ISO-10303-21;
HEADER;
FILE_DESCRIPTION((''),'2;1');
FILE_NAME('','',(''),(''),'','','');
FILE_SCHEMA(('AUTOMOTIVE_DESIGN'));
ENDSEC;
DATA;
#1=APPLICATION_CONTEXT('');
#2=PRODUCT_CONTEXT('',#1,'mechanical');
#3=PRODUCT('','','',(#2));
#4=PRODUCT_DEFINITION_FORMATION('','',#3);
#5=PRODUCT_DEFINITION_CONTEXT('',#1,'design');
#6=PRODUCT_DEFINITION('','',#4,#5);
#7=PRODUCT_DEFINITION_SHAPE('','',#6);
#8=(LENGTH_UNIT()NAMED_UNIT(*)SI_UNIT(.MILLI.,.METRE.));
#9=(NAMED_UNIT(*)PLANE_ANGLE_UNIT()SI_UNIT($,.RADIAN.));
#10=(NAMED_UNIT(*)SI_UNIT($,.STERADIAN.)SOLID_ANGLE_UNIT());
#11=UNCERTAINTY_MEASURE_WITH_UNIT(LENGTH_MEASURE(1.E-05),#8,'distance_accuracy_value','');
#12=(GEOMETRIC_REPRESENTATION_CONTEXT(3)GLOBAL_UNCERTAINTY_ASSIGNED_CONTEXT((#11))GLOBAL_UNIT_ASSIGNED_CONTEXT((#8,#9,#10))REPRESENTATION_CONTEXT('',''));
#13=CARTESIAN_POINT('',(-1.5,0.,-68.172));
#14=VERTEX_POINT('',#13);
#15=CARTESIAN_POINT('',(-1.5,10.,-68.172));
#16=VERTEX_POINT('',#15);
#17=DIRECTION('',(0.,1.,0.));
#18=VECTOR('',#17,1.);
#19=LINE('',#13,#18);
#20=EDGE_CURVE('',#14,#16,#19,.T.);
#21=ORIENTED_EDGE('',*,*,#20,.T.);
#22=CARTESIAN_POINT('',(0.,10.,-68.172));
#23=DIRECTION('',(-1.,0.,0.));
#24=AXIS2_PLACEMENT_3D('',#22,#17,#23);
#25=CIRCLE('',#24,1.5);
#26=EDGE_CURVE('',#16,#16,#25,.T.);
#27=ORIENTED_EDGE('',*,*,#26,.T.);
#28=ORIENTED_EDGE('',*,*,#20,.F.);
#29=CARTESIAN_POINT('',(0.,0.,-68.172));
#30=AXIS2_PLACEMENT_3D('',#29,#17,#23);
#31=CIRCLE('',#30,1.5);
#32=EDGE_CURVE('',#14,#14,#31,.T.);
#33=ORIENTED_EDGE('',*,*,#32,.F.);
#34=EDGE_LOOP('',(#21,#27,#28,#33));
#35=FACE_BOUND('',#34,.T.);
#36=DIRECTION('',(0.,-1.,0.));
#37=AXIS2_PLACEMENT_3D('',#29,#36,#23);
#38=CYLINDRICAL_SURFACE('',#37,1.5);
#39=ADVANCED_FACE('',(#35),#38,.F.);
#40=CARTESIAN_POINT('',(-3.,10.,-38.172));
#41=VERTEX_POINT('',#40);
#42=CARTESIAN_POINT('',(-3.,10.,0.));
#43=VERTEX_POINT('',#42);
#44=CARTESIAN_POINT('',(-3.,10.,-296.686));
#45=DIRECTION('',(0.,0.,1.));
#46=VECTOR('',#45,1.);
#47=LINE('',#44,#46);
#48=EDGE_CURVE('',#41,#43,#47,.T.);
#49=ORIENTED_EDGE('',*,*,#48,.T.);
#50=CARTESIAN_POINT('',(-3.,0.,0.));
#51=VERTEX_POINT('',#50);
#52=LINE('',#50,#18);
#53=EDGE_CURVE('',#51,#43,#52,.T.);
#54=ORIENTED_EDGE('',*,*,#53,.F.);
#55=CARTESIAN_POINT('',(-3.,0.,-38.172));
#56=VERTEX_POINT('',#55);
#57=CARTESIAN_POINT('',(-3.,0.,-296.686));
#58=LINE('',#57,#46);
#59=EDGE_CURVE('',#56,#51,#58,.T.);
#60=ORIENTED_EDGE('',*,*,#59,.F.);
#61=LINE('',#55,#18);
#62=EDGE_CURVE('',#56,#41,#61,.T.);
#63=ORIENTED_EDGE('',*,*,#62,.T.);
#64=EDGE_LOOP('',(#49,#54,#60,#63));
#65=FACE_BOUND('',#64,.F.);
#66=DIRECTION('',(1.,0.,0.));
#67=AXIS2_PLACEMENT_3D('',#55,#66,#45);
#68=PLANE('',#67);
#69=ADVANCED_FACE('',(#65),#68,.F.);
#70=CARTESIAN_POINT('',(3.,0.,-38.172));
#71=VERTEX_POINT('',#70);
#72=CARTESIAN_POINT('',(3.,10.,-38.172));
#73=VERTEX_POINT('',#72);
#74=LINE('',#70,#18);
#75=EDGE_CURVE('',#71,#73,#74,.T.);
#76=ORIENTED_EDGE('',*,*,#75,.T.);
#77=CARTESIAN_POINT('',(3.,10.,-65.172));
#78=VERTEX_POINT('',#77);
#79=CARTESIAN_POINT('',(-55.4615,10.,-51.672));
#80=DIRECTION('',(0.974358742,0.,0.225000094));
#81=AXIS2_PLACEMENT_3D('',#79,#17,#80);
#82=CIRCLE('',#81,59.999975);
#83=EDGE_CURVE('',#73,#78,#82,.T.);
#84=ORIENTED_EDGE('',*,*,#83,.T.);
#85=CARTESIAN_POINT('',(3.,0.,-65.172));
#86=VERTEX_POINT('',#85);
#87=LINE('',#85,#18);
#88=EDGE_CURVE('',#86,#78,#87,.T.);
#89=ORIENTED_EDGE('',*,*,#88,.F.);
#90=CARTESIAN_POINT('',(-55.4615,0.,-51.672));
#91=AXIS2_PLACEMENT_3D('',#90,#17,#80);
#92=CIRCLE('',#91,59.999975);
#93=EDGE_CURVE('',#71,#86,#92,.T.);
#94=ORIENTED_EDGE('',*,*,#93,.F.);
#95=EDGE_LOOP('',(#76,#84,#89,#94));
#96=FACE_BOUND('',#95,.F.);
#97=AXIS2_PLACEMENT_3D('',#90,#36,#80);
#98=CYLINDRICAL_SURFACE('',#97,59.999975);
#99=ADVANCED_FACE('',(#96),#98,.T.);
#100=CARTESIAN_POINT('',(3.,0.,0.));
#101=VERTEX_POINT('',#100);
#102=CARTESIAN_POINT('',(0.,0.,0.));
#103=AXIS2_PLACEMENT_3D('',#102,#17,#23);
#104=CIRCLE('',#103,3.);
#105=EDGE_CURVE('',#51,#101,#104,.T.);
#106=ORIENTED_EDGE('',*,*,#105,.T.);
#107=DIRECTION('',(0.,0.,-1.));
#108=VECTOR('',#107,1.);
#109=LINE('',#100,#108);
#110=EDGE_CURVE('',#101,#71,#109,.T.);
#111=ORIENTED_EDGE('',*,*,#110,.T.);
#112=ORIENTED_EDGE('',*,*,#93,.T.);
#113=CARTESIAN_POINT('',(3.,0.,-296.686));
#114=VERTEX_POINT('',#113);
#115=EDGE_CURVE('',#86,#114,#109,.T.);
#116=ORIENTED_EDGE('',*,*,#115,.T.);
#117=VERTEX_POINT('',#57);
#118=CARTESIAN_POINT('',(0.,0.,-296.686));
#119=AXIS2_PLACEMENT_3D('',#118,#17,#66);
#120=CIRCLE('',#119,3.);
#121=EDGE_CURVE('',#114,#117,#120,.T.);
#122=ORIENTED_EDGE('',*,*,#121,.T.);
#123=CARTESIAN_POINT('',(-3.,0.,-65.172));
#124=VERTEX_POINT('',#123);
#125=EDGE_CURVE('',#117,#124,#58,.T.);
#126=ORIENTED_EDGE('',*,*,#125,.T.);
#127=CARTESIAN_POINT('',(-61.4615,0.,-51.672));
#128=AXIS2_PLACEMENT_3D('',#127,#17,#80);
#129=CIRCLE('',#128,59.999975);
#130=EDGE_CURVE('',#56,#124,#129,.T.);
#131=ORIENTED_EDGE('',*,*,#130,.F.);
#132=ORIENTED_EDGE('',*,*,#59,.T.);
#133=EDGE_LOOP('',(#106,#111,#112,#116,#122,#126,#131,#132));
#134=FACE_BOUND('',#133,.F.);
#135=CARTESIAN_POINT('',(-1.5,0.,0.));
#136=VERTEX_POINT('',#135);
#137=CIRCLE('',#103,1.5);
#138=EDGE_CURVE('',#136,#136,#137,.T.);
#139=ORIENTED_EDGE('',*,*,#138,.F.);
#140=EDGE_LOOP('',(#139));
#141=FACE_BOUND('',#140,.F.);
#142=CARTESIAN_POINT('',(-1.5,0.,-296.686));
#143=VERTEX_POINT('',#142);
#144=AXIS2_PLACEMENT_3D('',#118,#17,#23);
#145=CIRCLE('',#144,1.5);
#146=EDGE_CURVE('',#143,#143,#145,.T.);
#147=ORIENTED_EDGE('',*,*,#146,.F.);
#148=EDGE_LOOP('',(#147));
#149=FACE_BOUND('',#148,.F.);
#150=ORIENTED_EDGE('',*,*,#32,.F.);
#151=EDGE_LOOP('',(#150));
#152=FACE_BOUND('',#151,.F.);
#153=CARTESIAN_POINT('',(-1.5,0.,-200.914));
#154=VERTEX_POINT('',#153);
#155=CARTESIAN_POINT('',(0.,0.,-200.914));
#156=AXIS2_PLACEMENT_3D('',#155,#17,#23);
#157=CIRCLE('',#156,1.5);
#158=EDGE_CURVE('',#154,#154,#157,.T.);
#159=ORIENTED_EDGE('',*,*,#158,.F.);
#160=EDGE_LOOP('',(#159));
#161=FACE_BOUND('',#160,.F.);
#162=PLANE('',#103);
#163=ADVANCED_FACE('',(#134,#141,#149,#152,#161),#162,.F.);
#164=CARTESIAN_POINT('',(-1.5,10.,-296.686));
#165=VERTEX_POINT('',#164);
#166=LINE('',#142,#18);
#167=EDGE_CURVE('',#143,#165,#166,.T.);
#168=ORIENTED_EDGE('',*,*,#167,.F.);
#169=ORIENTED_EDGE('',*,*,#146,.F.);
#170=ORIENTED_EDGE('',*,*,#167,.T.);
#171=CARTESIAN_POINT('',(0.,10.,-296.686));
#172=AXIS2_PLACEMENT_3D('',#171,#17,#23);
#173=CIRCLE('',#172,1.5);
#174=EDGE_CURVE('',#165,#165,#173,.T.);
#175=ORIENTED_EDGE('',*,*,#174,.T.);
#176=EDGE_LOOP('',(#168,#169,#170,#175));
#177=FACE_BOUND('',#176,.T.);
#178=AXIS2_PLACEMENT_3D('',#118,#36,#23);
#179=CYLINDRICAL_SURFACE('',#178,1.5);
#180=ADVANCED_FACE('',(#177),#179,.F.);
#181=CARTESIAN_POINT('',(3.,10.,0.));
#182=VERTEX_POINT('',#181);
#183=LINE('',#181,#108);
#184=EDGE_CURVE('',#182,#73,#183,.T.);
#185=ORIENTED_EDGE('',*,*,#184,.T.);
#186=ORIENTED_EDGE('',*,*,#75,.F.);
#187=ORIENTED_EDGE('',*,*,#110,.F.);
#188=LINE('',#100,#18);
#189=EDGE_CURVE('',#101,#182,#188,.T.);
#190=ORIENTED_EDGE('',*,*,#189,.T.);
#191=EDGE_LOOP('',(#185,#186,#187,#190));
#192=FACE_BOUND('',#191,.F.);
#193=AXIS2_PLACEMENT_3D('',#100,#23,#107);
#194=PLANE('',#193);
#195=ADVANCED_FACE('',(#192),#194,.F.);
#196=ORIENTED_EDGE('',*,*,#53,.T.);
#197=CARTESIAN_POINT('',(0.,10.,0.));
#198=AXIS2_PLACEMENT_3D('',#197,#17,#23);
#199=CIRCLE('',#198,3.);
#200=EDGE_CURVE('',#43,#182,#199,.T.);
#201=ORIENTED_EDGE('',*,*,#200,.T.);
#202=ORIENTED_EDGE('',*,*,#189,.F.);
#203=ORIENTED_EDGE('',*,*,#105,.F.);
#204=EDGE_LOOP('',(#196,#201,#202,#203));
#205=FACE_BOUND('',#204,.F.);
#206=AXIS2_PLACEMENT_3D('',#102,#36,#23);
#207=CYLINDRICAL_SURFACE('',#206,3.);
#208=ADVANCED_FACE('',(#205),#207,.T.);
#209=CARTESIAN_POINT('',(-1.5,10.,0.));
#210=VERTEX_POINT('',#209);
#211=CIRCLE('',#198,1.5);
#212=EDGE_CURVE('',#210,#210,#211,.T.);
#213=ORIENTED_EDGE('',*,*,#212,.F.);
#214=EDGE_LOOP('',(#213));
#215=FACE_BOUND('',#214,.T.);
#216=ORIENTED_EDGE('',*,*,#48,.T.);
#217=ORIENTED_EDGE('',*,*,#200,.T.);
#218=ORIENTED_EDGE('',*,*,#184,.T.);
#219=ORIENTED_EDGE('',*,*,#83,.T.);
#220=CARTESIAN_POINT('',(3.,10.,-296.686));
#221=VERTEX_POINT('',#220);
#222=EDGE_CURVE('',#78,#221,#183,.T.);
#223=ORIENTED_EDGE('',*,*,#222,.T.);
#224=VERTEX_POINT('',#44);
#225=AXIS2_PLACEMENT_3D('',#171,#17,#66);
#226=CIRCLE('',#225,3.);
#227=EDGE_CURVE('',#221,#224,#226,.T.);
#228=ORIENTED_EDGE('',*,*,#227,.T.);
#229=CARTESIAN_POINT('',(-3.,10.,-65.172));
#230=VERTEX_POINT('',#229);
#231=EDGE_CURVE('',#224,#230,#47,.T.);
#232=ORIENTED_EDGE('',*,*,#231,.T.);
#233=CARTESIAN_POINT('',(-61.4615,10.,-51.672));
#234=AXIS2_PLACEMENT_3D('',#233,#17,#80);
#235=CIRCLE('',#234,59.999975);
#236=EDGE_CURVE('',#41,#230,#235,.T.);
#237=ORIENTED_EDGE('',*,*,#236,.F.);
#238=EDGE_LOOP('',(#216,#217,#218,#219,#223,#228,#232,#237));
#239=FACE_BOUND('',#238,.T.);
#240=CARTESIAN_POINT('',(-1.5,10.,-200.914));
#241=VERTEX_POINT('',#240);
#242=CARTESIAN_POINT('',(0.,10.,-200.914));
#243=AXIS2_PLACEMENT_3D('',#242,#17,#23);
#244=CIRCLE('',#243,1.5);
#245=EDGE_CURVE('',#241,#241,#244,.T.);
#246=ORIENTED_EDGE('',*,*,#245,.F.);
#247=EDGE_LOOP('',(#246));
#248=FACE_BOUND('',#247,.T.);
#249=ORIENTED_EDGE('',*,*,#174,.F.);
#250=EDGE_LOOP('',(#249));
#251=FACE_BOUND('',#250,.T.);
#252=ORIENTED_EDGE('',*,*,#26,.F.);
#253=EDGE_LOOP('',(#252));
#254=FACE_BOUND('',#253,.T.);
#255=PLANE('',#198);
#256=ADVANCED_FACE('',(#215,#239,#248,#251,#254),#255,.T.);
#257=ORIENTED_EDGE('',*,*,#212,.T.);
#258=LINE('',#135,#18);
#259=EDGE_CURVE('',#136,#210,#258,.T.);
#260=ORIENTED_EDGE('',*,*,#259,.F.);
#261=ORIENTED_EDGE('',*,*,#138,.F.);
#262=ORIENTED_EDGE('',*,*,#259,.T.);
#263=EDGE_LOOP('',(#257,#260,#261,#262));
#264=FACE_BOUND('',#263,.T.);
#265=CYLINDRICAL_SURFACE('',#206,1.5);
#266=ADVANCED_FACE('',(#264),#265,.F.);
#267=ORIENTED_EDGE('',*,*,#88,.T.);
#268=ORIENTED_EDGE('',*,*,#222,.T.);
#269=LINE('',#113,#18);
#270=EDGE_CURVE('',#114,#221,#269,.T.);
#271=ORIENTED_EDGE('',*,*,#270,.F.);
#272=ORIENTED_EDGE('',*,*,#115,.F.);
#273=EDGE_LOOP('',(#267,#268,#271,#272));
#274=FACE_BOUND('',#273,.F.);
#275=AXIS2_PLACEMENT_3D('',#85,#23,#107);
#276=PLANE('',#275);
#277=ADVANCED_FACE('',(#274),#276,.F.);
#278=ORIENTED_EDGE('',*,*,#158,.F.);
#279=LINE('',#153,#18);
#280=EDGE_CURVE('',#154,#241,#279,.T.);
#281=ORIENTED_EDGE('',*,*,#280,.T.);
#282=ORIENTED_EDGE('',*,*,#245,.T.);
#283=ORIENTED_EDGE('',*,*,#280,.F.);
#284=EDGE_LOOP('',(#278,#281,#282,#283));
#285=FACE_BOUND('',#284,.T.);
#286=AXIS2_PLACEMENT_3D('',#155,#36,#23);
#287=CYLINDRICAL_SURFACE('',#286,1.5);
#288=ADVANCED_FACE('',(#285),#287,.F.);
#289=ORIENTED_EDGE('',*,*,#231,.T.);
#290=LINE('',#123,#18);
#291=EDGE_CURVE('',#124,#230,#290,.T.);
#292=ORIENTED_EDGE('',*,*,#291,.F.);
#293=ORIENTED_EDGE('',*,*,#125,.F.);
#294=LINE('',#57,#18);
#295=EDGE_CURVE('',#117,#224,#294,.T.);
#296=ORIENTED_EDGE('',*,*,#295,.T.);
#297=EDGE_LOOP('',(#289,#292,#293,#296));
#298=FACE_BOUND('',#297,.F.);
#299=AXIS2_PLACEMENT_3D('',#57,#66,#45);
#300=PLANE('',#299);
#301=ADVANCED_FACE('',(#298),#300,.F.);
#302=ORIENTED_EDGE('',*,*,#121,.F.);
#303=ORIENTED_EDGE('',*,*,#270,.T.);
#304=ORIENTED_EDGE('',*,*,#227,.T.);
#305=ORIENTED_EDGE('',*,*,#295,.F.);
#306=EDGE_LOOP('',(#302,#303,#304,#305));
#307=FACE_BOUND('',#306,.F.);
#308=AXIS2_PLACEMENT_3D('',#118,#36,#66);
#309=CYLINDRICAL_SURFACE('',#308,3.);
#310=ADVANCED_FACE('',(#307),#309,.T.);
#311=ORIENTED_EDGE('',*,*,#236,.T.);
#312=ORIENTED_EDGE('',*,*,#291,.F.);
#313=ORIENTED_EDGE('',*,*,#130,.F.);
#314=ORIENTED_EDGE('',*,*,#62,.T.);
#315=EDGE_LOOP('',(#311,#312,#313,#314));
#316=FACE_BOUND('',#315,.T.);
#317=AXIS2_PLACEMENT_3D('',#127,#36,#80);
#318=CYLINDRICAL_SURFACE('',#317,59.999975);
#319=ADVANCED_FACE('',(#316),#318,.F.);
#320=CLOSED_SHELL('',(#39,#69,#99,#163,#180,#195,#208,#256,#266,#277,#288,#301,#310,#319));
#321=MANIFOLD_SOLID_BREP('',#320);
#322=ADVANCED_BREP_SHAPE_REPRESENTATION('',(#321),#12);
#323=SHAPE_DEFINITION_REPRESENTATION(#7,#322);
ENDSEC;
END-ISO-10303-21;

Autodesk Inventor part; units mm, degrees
ref_plane "YZ Plane" through (0, 0, 0) normal (1, 0, 0) x (0, 1, 0)
ref_plane "XZ Plane" through (0, 0, 0) normal (0, 1, 0) x (-1, 0, 0)
ref_plane "XY Plane" through (0, 0, 0) normal (0, 0, 1) x (1, 0, 0)
sketch "Sketch1" plane through (0, 0, 0) normal (0, 1, 0) x (-1, 0, 0)
  line L0 (0, 0) -> (0, -296.686) construction
  line L1 (-3, 0) -> (-3, -296.686)
  line L2 (3, -296.686) -> (3, 0)
  arc A0 (3, 0) -> (-3, 0) centre (0, 0) ccw
  arc A1 (-3, -296.686) -> (3, -296.686) centre (0, -296.686) ccw
  circle A2 centre (0, 0) radius 1.5
  circle A3 centre (0, -296.686) radius 1.5
  circle A4 centre (0, -200.914) radius 1.5
  circle A5 centre (0, -68.172) radius 1.5
  arc A6 (3, -38.172) -> (3, -65.172) centre (61.4615, -51.672) ccw
  arc A7 (-3, -38.172) -> (-3, -65.172) centre (55.4615, -51.672) ccw
  point P0 (0, -148.343)
  dimension "d0" = 6
  dimension "d1" = 296.686
  dimension "d2" = 3
  dimension "d3" = 3
  dimension "d6" = 3
  dimension "d7" = 200.914
  dimension "d8" = 3
  dimension "d9" = 68.172
  dimension "d10" = 60
  dimension "d11" = 3
  dimension "d12" = 30
  dimension "d13" = 60
extrude "Extrusion1" add sketch "Sketch1" along normal blind 10 contours A0 L2 A6 A1 L1 | L1 A7
